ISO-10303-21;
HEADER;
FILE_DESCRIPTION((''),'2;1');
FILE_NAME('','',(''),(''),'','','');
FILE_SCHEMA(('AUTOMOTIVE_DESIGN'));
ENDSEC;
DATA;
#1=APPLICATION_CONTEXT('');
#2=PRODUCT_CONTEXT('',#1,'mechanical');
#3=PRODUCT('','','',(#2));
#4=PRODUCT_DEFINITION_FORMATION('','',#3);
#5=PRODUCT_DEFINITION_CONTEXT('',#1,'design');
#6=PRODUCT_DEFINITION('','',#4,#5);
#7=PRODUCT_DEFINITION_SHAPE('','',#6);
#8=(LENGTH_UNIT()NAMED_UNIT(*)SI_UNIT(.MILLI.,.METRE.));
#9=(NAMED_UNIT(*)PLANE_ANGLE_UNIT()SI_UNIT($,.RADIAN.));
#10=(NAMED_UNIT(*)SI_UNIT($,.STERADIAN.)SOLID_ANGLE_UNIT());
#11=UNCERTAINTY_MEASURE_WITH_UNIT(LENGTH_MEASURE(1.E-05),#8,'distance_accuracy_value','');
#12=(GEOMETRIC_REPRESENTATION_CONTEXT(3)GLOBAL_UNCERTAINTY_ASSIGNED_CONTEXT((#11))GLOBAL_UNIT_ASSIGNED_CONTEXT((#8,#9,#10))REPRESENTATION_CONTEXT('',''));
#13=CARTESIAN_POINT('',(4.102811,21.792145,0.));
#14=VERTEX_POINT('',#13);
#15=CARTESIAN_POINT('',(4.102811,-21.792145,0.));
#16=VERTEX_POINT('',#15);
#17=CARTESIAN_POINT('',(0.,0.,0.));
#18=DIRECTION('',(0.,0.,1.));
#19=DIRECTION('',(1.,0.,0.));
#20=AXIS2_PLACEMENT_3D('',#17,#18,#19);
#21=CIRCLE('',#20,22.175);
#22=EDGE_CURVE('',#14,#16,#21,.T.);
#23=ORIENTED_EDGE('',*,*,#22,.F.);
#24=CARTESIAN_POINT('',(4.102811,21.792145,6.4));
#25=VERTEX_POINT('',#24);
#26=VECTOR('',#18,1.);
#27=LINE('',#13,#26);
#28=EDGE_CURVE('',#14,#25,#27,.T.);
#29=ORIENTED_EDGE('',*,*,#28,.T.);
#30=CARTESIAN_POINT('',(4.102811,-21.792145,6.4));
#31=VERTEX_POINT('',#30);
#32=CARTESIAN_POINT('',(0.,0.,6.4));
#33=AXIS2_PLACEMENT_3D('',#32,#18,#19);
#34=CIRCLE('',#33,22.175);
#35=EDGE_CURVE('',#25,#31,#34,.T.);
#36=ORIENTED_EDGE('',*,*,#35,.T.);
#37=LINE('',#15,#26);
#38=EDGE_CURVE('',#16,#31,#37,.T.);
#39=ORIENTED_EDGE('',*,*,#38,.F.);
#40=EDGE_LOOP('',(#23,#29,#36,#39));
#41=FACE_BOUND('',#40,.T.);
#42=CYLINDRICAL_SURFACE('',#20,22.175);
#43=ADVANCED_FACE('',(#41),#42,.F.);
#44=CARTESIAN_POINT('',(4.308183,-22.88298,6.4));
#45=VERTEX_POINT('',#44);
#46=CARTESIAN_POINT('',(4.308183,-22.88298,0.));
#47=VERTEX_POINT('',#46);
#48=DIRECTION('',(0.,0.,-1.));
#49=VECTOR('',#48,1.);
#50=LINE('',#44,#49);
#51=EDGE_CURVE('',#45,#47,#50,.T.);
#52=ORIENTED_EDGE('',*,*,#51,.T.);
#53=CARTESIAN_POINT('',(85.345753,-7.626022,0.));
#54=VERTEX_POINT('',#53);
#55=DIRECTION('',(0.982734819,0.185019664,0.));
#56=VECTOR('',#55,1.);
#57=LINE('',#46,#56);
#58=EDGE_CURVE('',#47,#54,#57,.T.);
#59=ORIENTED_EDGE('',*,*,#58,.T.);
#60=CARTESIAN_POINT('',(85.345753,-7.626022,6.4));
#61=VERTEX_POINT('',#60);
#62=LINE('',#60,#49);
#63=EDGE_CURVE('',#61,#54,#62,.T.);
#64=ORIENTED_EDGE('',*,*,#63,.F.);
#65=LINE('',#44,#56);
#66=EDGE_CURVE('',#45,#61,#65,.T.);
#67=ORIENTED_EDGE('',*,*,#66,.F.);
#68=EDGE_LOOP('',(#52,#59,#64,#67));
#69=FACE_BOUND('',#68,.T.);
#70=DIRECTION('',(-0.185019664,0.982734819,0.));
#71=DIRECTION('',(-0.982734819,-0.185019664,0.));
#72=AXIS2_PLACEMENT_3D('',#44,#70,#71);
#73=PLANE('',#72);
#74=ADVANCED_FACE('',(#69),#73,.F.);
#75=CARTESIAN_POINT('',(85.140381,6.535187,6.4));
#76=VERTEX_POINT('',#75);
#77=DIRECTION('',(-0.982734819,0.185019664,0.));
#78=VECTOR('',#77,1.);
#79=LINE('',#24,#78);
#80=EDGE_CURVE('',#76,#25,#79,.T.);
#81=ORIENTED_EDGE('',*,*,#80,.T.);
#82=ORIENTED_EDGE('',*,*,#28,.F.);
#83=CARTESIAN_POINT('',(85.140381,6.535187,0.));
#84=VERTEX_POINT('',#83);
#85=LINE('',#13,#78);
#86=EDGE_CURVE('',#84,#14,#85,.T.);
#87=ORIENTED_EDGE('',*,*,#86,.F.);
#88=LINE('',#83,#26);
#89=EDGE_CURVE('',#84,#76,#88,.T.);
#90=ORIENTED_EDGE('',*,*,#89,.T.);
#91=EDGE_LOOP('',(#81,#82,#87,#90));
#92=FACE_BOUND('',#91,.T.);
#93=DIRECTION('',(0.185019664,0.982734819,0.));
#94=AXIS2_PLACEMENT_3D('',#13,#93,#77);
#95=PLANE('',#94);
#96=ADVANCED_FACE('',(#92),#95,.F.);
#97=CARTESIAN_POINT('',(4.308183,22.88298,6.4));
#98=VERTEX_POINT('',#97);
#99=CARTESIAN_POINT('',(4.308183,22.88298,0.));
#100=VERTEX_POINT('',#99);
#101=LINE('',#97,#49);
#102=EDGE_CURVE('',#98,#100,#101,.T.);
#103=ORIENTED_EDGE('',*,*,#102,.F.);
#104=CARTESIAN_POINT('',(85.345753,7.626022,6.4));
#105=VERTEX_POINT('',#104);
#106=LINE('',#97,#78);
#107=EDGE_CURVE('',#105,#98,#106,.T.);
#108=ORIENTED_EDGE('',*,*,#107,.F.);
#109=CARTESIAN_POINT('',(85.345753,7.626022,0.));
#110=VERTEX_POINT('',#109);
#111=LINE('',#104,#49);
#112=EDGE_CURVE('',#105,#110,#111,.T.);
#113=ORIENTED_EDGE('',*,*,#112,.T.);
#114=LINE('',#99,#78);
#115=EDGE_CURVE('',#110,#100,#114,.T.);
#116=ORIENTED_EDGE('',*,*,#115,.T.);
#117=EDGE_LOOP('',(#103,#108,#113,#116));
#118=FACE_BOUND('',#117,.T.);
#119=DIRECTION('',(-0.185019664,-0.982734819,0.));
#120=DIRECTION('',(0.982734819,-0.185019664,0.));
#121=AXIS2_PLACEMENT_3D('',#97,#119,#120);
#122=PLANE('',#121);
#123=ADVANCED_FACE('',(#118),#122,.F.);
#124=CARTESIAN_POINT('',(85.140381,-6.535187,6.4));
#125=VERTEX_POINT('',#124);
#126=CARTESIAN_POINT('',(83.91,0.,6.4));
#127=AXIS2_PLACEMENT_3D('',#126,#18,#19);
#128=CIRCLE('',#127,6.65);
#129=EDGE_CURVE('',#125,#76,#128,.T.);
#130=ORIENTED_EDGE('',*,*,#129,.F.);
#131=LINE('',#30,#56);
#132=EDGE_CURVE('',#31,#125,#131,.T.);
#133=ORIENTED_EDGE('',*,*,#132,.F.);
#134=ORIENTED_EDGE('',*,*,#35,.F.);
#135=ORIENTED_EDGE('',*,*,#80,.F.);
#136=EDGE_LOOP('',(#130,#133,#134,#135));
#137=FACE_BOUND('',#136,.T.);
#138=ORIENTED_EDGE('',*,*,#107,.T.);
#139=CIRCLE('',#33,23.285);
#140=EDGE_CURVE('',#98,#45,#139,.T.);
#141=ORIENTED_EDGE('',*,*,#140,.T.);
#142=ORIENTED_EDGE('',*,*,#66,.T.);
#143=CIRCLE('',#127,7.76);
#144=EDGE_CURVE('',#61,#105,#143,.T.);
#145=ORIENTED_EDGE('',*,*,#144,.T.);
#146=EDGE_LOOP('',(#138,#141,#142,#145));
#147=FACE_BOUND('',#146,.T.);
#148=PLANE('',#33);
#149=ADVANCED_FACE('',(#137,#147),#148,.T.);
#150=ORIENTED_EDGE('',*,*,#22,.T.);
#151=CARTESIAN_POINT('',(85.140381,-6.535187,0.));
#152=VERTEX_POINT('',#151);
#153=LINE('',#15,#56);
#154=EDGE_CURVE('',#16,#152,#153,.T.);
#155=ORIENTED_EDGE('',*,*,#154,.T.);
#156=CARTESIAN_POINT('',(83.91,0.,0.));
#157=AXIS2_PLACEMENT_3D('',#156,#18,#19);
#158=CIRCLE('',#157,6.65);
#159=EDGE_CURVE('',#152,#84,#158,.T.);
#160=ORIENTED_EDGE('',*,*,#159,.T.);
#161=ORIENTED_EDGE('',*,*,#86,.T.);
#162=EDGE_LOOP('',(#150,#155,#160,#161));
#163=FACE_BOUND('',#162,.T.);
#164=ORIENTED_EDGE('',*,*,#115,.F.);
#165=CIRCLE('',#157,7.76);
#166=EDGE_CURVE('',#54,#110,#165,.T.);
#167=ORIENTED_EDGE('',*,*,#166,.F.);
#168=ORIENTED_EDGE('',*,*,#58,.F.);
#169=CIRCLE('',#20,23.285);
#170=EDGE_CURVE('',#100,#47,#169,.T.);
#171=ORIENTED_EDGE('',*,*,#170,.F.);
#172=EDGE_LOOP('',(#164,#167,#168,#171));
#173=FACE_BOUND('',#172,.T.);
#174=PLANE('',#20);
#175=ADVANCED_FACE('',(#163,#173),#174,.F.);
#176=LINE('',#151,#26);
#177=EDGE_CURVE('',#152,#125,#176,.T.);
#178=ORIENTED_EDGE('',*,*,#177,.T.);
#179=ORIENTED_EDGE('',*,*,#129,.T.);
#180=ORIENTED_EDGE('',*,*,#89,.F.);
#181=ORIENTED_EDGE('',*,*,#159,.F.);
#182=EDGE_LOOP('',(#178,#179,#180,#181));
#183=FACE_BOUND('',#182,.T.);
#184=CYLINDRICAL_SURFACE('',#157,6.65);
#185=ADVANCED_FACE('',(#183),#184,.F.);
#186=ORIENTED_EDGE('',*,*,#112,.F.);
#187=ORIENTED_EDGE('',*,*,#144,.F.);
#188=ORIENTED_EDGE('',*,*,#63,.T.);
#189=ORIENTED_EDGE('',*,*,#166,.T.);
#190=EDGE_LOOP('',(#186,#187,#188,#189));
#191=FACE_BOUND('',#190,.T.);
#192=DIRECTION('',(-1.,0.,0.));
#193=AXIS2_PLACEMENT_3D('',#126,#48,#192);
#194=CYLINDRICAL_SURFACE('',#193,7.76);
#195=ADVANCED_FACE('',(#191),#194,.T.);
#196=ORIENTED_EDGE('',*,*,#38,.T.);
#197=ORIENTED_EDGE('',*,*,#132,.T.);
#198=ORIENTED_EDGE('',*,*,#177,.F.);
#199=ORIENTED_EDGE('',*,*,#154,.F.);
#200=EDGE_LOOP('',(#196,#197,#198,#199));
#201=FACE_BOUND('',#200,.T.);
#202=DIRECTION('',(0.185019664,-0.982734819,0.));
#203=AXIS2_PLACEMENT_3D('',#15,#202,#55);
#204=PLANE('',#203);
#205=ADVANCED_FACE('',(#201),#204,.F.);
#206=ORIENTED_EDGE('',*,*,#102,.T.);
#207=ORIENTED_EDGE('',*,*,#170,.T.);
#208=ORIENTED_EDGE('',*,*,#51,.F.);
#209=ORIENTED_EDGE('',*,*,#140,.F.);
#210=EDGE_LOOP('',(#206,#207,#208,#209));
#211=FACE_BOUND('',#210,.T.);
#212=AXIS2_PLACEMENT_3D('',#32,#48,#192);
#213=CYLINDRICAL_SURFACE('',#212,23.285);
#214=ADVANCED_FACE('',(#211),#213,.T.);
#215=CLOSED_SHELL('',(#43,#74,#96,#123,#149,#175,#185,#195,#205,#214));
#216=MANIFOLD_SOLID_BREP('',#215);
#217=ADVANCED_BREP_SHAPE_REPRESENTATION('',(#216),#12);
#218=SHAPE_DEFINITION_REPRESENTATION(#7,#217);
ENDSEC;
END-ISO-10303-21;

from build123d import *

# Parameters (mm, degrees)
BOSS_EXTRUDE1_DEPTH = 6.4
CUT_EXTRUDE1_DEPTH  = 95.797363492


with BuildPart() as part:
    # Sketch1 → Boss-Extrude1 (new body)
    with BuildSketch(Plane.XY):
        with BuildLine():
            Line((4.308182875, 22.882980254), (85.345752592, 7.626022193))
            ThreePointArc((85.345752592, 7.626022193), (91.67, 0), (85.345752592, -7.626022193))
            Line((85.345752592, -7.626022193), (4.308182875, -22.882980254))
            ThreePointArc((4.308182875, -22.882980254), (-23.285, 0), (4.308182875, 22.882980254))
        make_face()
    extrude(amount=BOSS_EXTRUDE1_DEPTH)

    # Sketch2 → Cut-Extrude1 (cut, through all)
    with BuildSketch(Plane.XY.offset(6.4)):
        with BuildLine():
            Line((4.102811048, 21.792144606), (85.140380765, 6.535186545))
            ThreePointArc((85.140380765, 6.535186545), (90.56, 0), (85.140380765, -6.535186545))
            Line((85.140380765, -6.535186545), (4.102811048, -21.792144606))
            ThreePointArc((4.102811048, -21.792144606), (-22.175, 0), (4.102811048, 21.792144606))
        make_face()
    extrude(amount=-CUT_EXTRUDE1_DEPTH, mode=Mode.SUBTRACT)


solid = part.part
